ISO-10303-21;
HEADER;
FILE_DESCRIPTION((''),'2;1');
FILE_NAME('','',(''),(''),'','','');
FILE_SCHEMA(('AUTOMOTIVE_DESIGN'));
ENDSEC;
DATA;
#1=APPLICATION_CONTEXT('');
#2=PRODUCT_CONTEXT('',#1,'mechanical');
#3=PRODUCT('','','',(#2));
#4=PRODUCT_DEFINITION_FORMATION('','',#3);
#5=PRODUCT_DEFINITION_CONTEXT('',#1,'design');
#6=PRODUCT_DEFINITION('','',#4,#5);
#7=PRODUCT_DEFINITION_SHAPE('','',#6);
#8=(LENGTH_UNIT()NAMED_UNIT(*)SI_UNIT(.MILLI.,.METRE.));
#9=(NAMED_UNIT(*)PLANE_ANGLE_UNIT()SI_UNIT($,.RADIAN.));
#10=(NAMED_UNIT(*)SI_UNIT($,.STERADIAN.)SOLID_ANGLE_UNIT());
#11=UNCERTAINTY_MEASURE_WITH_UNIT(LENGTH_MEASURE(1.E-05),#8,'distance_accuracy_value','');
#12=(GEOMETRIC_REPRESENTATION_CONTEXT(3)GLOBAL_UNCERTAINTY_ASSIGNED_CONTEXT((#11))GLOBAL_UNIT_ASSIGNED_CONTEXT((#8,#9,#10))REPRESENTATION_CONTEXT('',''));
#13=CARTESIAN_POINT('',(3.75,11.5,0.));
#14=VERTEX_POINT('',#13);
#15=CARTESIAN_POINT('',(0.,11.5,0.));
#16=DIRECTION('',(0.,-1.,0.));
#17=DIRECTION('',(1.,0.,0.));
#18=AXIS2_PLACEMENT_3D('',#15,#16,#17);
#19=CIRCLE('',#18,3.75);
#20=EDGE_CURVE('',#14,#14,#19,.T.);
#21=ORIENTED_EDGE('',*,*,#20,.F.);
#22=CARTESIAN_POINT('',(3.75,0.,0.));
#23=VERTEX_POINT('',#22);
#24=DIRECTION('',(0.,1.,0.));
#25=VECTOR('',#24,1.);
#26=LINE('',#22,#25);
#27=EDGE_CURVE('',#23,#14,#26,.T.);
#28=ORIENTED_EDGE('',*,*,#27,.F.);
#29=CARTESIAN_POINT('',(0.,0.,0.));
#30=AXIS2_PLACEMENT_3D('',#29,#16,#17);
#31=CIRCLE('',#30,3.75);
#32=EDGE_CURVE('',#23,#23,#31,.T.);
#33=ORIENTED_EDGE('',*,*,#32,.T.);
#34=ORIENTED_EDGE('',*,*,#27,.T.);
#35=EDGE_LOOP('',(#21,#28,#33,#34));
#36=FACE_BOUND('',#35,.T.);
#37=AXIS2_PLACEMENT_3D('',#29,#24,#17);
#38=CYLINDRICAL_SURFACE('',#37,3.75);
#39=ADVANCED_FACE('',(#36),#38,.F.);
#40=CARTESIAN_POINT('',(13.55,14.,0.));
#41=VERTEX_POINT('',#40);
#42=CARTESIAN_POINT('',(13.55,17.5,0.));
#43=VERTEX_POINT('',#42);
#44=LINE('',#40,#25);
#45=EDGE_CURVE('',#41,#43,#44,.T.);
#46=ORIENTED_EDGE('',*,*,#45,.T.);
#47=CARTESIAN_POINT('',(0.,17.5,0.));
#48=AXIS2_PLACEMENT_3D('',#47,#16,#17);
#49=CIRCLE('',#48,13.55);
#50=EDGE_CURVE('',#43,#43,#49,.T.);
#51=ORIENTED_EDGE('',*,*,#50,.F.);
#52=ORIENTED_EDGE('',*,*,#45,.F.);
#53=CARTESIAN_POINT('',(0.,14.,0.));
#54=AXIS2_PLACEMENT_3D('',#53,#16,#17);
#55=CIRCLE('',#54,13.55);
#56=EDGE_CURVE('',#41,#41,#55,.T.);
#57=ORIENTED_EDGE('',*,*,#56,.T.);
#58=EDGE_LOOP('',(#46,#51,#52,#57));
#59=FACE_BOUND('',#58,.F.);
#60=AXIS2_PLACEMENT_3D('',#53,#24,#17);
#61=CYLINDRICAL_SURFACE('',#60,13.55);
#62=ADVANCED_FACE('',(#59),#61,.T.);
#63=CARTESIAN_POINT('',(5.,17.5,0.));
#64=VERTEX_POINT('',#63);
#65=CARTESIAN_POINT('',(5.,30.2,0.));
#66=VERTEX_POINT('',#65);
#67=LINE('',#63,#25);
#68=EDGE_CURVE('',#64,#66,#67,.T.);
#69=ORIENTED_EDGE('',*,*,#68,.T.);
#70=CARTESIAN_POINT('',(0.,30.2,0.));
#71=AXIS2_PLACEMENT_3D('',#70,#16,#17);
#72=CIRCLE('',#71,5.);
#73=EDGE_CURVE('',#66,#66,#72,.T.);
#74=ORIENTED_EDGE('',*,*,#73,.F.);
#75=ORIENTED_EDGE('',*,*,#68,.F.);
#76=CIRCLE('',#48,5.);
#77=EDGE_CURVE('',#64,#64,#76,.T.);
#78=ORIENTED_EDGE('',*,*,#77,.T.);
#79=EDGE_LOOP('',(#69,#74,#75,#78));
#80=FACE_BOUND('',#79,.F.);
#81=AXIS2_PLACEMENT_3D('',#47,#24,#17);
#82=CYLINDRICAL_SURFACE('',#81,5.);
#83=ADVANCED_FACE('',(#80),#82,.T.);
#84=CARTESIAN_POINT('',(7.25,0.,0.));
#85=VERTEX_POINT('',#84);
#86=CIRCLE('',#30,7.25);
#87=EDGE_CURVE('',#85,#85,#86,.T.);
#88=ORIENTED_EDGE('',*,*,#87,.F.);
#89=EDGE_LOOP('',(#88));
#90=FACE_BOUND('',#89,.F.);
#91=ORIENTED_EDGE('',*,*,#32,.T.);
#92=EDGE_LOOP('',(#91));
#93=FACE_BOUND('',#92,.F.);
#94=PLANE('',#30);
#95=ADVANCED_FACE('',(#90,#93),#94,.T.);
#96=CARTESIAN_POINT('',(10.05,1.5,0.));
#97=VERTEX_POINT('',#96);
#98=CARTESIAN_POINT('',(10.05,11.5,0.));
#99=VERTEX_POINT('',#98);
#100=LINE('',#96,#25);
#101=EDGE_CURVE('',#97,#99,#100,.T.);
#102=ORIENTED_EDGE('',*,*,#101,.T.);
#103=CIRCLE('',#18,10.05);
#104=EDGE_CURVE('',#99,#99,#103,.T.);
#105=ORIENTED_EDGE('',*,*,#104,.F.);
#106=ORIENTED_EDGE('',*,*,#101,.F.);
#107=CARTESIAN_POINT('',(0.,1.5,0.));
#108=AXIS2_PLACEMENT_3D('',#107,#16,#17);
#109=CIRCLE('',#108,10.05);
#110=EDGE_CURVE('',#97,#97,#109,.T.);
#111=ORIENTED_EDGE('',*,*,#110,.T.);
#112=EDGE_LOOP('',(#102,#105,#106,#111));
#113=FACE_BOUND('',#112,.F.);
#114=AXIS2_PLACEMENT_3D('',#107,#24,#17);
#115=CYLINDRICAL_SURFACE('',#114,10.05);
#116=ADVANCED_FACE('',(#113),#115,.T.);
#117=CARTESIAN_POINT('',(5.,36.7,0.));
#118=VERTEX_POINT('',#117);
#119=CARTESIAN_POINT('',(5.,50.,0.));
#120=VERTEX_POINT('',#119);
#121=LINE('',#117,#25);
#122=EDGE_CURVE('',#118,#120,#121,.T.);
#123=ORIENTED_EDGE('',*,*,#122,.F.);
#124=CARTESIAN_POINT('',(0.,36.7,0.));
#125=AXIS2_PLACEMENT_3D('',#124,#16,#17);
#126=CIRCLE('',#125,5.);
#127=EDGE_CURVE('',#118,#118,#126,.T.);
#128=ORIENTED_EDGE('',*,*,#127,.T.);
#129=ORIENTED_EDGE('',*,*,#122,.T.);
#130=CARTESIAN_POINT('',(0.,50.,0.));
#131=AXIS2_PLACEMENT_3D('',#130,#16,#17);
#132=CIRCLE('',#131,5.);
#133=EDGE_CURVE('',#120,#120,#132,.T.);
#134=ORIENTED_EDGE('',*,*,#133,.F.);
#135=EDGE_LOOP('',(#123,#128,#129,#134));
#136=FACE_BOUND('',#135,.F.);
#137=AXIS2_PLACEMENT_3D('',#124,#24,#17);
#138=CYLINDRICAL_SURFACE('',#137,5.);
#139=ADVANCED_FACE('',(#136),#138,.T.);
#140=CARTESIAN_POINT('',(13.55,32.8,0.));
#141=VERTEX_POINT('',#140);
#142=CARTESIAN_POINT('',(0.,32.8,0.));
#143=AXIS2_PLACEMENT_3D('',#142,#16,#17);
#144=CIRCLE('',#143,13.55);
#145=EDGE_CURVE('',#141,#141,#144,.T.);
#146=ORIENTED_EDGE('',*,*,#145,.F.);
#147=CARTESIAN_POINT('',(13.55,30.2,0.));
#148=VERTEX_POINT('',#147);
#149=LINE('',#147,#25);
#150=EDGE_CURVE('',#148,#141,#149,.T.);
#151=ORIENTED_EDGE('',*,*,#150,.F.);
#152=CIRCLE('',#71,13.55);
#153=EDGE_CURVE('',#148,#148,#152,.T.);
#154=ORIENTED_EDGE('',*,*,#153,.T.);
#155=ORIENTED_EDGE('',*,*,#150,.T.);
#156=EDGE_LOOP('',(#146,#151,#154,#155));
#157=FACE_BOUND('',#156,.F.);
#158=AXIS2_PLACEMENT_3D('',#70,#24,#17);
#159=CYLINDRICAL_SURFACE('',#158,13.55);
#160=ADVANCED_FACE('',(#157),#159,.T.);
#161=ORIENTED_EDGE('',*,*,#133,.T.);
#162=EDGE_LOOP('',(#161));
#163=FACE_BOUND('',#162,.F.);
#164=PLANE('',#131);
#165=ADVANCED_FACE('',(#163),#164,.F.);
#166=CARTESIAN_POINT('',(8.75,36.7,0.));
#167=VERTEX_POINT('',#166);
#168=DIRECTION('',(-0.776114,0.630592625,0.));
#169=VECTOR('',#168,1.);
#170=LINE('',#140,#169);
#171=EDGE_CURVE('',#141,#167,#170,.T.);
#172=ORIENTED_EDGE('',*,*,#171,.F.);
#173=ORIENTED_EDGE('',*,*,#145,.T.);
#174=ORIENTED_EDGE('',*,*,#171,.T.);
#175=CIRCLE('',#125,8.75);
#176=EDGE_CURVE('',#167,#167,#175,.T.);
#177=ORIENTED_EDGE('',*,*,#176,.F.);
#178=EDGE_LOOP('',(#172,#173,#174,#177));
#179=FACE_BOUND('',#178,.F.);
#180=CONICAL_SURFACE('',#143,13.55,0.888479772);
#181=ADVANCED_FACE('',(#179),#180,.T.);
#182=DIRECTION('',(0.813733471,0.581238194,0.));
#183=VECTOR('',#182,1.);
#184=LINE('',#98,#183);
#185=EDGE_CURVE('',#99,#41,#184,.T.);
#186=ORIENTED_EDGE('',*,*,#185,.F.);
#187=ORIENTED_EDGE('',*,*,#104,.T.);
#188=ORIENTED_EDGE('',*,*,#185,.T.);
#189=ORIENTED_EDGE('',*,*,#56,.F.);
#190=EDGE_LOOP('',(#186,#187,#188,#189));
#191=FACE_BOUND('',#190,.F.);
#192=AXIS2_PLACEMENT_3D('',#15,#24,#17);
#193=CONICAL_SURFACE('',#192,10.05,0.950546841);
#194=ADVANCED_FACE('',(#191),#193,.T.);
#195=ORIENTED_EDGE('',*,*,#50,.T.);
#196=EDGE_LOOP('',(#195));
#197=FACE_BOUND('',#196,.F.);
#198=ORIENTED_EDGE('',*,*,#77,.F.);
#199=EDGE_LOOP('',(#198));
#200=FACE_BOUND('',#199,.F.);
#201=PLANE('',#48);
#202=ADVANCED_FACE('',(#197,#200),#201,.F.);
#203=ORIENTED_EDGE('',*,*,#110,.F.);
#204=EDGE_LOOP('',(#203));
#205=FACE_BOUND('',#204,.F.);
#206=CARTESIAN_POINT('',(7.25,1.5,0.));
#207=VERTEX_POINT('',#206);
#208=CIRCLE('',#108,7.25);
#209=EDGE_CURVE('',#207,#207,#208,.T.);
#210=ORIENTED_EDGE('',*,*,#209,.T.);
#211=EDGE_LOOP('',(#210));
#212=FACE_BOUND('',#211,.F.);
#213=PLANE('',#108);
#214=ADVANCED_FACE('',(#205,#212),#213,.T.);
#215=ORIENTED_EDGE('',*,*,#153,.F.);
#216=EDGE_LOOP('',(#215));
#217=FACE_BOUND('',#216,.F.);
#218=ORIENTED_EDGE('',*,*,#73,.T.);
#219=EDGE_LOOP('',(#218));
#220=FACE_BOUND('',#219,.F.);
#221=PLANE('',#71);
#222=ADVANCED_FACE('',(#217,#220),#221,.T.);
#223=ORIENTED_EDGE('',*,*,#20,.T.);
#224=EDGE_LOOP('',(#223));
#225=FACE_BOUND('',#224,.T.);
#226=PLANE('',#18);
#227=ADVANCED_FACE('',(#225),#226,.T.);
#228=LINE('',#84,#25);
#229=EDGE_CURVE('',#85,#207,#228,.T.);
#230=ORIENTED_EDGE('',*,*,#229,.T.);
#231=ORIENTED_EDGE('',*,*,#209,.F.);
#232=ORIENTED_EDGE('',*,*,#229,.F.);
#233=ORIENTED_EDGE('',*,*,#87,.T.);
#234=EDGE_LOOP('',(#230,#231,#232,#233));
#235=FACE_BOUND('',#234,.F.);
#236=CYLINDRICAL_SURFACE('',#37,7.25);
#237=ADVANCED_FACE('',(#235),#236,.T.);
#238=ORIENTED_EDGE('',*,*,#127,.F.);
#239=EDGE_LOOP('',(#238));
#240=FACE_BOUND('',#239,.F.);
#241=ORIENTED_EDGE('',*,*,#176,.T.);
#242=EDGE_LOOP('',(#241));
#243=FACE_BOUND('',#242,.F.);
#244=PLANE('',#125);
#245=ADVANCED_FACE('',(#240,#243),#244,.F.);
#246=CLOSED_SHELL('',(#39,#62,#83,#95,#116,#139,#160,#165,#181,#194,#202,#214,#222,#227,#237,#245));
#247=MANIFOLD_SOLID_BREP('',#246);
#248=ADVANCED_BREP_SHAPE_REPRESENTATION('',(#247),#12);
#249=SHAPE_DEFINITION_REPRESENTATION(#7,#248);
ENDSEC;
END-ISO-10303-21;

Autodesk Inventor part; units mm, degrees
ref_plane "YZ Plane" through (0, 0, 0) normal (1, 0, 0) x (0, 1, 0)
ref_plane "XZ Plane" through (0, 0, 0) normal (0, 1, 0) x (-1, 0, 0)
ref_plane "XY Plane" through (0, 0, 0) normal (0, 0, 1) x (1, 0, 0)
sketch "Sketch1" plane through (0, 0, 0) normal (0, 0, 1) x (1, 0, 0)
  line L0 (3.75, 0) -> (7.25, 0)
  line L1 (7.25, 0) -> (7.25, 1.5)
  line L2 (7.25, 1.5) -> (10.05, 1.5)
  line L3 (10.05, 1.5) -> (10.05, 11.5)
  line L4 (10.05, 11.5) -> (13.55, 14)
  line L5 (13.55, 14) -> (13.55, 17.5)
  line L6 (13.55, 17.5) -> (5, 17.5)
  line L7 (5, 17.5) -> (5, 30.2)
  line L8 (5, 30.2) -> (13.55, 30.2)
  line L9 (13.55, 30.2) -> (13.55, 32.8)
  line L10 (13.55, 32.8) -> (8.75, 36.7)
  line L11 (8.75, 36.7) -> (5, 36.7)
  line L12 (5, 36.7) -> (5, 50)
  line L13 (5, 50) -> (0, 50)
  line L14 (0, 50) -> (0, 11.5)
  line L15 (3.75, 0) -> (3.75, 11.5)
  line L16 (3.75, 11.5) -> (0, 11.5)
  point P0 (0, 0)
  point P1 (2.5, 50)
  point P2 (1.875, 11.5)
  dimension "d0" = 3.75
  dimension "d1" = 3.5
  dimension "d2" = 1.5
  dimension "d3" = 2.8
  dimension "d4" = 10
  dimension "d5" = 3.5
  dimension "d6" = 2.5
  dimension "d7" = 3.5
  dimension "d8" = 5
  dimension "d9" = 12.7
  dimension "d10" = 2.6
  dimension "d11" = 3.9
  dimension "d12" = 4.8
  dimension "d13" = 50
revolve "Revolution1" add sketch "Sketch1" angle 360 about axis through (0, 50, 0) along (0, -1, 0)
properties part number "Drive Motor Shaft Coupler" material "Aluminum 6061"
